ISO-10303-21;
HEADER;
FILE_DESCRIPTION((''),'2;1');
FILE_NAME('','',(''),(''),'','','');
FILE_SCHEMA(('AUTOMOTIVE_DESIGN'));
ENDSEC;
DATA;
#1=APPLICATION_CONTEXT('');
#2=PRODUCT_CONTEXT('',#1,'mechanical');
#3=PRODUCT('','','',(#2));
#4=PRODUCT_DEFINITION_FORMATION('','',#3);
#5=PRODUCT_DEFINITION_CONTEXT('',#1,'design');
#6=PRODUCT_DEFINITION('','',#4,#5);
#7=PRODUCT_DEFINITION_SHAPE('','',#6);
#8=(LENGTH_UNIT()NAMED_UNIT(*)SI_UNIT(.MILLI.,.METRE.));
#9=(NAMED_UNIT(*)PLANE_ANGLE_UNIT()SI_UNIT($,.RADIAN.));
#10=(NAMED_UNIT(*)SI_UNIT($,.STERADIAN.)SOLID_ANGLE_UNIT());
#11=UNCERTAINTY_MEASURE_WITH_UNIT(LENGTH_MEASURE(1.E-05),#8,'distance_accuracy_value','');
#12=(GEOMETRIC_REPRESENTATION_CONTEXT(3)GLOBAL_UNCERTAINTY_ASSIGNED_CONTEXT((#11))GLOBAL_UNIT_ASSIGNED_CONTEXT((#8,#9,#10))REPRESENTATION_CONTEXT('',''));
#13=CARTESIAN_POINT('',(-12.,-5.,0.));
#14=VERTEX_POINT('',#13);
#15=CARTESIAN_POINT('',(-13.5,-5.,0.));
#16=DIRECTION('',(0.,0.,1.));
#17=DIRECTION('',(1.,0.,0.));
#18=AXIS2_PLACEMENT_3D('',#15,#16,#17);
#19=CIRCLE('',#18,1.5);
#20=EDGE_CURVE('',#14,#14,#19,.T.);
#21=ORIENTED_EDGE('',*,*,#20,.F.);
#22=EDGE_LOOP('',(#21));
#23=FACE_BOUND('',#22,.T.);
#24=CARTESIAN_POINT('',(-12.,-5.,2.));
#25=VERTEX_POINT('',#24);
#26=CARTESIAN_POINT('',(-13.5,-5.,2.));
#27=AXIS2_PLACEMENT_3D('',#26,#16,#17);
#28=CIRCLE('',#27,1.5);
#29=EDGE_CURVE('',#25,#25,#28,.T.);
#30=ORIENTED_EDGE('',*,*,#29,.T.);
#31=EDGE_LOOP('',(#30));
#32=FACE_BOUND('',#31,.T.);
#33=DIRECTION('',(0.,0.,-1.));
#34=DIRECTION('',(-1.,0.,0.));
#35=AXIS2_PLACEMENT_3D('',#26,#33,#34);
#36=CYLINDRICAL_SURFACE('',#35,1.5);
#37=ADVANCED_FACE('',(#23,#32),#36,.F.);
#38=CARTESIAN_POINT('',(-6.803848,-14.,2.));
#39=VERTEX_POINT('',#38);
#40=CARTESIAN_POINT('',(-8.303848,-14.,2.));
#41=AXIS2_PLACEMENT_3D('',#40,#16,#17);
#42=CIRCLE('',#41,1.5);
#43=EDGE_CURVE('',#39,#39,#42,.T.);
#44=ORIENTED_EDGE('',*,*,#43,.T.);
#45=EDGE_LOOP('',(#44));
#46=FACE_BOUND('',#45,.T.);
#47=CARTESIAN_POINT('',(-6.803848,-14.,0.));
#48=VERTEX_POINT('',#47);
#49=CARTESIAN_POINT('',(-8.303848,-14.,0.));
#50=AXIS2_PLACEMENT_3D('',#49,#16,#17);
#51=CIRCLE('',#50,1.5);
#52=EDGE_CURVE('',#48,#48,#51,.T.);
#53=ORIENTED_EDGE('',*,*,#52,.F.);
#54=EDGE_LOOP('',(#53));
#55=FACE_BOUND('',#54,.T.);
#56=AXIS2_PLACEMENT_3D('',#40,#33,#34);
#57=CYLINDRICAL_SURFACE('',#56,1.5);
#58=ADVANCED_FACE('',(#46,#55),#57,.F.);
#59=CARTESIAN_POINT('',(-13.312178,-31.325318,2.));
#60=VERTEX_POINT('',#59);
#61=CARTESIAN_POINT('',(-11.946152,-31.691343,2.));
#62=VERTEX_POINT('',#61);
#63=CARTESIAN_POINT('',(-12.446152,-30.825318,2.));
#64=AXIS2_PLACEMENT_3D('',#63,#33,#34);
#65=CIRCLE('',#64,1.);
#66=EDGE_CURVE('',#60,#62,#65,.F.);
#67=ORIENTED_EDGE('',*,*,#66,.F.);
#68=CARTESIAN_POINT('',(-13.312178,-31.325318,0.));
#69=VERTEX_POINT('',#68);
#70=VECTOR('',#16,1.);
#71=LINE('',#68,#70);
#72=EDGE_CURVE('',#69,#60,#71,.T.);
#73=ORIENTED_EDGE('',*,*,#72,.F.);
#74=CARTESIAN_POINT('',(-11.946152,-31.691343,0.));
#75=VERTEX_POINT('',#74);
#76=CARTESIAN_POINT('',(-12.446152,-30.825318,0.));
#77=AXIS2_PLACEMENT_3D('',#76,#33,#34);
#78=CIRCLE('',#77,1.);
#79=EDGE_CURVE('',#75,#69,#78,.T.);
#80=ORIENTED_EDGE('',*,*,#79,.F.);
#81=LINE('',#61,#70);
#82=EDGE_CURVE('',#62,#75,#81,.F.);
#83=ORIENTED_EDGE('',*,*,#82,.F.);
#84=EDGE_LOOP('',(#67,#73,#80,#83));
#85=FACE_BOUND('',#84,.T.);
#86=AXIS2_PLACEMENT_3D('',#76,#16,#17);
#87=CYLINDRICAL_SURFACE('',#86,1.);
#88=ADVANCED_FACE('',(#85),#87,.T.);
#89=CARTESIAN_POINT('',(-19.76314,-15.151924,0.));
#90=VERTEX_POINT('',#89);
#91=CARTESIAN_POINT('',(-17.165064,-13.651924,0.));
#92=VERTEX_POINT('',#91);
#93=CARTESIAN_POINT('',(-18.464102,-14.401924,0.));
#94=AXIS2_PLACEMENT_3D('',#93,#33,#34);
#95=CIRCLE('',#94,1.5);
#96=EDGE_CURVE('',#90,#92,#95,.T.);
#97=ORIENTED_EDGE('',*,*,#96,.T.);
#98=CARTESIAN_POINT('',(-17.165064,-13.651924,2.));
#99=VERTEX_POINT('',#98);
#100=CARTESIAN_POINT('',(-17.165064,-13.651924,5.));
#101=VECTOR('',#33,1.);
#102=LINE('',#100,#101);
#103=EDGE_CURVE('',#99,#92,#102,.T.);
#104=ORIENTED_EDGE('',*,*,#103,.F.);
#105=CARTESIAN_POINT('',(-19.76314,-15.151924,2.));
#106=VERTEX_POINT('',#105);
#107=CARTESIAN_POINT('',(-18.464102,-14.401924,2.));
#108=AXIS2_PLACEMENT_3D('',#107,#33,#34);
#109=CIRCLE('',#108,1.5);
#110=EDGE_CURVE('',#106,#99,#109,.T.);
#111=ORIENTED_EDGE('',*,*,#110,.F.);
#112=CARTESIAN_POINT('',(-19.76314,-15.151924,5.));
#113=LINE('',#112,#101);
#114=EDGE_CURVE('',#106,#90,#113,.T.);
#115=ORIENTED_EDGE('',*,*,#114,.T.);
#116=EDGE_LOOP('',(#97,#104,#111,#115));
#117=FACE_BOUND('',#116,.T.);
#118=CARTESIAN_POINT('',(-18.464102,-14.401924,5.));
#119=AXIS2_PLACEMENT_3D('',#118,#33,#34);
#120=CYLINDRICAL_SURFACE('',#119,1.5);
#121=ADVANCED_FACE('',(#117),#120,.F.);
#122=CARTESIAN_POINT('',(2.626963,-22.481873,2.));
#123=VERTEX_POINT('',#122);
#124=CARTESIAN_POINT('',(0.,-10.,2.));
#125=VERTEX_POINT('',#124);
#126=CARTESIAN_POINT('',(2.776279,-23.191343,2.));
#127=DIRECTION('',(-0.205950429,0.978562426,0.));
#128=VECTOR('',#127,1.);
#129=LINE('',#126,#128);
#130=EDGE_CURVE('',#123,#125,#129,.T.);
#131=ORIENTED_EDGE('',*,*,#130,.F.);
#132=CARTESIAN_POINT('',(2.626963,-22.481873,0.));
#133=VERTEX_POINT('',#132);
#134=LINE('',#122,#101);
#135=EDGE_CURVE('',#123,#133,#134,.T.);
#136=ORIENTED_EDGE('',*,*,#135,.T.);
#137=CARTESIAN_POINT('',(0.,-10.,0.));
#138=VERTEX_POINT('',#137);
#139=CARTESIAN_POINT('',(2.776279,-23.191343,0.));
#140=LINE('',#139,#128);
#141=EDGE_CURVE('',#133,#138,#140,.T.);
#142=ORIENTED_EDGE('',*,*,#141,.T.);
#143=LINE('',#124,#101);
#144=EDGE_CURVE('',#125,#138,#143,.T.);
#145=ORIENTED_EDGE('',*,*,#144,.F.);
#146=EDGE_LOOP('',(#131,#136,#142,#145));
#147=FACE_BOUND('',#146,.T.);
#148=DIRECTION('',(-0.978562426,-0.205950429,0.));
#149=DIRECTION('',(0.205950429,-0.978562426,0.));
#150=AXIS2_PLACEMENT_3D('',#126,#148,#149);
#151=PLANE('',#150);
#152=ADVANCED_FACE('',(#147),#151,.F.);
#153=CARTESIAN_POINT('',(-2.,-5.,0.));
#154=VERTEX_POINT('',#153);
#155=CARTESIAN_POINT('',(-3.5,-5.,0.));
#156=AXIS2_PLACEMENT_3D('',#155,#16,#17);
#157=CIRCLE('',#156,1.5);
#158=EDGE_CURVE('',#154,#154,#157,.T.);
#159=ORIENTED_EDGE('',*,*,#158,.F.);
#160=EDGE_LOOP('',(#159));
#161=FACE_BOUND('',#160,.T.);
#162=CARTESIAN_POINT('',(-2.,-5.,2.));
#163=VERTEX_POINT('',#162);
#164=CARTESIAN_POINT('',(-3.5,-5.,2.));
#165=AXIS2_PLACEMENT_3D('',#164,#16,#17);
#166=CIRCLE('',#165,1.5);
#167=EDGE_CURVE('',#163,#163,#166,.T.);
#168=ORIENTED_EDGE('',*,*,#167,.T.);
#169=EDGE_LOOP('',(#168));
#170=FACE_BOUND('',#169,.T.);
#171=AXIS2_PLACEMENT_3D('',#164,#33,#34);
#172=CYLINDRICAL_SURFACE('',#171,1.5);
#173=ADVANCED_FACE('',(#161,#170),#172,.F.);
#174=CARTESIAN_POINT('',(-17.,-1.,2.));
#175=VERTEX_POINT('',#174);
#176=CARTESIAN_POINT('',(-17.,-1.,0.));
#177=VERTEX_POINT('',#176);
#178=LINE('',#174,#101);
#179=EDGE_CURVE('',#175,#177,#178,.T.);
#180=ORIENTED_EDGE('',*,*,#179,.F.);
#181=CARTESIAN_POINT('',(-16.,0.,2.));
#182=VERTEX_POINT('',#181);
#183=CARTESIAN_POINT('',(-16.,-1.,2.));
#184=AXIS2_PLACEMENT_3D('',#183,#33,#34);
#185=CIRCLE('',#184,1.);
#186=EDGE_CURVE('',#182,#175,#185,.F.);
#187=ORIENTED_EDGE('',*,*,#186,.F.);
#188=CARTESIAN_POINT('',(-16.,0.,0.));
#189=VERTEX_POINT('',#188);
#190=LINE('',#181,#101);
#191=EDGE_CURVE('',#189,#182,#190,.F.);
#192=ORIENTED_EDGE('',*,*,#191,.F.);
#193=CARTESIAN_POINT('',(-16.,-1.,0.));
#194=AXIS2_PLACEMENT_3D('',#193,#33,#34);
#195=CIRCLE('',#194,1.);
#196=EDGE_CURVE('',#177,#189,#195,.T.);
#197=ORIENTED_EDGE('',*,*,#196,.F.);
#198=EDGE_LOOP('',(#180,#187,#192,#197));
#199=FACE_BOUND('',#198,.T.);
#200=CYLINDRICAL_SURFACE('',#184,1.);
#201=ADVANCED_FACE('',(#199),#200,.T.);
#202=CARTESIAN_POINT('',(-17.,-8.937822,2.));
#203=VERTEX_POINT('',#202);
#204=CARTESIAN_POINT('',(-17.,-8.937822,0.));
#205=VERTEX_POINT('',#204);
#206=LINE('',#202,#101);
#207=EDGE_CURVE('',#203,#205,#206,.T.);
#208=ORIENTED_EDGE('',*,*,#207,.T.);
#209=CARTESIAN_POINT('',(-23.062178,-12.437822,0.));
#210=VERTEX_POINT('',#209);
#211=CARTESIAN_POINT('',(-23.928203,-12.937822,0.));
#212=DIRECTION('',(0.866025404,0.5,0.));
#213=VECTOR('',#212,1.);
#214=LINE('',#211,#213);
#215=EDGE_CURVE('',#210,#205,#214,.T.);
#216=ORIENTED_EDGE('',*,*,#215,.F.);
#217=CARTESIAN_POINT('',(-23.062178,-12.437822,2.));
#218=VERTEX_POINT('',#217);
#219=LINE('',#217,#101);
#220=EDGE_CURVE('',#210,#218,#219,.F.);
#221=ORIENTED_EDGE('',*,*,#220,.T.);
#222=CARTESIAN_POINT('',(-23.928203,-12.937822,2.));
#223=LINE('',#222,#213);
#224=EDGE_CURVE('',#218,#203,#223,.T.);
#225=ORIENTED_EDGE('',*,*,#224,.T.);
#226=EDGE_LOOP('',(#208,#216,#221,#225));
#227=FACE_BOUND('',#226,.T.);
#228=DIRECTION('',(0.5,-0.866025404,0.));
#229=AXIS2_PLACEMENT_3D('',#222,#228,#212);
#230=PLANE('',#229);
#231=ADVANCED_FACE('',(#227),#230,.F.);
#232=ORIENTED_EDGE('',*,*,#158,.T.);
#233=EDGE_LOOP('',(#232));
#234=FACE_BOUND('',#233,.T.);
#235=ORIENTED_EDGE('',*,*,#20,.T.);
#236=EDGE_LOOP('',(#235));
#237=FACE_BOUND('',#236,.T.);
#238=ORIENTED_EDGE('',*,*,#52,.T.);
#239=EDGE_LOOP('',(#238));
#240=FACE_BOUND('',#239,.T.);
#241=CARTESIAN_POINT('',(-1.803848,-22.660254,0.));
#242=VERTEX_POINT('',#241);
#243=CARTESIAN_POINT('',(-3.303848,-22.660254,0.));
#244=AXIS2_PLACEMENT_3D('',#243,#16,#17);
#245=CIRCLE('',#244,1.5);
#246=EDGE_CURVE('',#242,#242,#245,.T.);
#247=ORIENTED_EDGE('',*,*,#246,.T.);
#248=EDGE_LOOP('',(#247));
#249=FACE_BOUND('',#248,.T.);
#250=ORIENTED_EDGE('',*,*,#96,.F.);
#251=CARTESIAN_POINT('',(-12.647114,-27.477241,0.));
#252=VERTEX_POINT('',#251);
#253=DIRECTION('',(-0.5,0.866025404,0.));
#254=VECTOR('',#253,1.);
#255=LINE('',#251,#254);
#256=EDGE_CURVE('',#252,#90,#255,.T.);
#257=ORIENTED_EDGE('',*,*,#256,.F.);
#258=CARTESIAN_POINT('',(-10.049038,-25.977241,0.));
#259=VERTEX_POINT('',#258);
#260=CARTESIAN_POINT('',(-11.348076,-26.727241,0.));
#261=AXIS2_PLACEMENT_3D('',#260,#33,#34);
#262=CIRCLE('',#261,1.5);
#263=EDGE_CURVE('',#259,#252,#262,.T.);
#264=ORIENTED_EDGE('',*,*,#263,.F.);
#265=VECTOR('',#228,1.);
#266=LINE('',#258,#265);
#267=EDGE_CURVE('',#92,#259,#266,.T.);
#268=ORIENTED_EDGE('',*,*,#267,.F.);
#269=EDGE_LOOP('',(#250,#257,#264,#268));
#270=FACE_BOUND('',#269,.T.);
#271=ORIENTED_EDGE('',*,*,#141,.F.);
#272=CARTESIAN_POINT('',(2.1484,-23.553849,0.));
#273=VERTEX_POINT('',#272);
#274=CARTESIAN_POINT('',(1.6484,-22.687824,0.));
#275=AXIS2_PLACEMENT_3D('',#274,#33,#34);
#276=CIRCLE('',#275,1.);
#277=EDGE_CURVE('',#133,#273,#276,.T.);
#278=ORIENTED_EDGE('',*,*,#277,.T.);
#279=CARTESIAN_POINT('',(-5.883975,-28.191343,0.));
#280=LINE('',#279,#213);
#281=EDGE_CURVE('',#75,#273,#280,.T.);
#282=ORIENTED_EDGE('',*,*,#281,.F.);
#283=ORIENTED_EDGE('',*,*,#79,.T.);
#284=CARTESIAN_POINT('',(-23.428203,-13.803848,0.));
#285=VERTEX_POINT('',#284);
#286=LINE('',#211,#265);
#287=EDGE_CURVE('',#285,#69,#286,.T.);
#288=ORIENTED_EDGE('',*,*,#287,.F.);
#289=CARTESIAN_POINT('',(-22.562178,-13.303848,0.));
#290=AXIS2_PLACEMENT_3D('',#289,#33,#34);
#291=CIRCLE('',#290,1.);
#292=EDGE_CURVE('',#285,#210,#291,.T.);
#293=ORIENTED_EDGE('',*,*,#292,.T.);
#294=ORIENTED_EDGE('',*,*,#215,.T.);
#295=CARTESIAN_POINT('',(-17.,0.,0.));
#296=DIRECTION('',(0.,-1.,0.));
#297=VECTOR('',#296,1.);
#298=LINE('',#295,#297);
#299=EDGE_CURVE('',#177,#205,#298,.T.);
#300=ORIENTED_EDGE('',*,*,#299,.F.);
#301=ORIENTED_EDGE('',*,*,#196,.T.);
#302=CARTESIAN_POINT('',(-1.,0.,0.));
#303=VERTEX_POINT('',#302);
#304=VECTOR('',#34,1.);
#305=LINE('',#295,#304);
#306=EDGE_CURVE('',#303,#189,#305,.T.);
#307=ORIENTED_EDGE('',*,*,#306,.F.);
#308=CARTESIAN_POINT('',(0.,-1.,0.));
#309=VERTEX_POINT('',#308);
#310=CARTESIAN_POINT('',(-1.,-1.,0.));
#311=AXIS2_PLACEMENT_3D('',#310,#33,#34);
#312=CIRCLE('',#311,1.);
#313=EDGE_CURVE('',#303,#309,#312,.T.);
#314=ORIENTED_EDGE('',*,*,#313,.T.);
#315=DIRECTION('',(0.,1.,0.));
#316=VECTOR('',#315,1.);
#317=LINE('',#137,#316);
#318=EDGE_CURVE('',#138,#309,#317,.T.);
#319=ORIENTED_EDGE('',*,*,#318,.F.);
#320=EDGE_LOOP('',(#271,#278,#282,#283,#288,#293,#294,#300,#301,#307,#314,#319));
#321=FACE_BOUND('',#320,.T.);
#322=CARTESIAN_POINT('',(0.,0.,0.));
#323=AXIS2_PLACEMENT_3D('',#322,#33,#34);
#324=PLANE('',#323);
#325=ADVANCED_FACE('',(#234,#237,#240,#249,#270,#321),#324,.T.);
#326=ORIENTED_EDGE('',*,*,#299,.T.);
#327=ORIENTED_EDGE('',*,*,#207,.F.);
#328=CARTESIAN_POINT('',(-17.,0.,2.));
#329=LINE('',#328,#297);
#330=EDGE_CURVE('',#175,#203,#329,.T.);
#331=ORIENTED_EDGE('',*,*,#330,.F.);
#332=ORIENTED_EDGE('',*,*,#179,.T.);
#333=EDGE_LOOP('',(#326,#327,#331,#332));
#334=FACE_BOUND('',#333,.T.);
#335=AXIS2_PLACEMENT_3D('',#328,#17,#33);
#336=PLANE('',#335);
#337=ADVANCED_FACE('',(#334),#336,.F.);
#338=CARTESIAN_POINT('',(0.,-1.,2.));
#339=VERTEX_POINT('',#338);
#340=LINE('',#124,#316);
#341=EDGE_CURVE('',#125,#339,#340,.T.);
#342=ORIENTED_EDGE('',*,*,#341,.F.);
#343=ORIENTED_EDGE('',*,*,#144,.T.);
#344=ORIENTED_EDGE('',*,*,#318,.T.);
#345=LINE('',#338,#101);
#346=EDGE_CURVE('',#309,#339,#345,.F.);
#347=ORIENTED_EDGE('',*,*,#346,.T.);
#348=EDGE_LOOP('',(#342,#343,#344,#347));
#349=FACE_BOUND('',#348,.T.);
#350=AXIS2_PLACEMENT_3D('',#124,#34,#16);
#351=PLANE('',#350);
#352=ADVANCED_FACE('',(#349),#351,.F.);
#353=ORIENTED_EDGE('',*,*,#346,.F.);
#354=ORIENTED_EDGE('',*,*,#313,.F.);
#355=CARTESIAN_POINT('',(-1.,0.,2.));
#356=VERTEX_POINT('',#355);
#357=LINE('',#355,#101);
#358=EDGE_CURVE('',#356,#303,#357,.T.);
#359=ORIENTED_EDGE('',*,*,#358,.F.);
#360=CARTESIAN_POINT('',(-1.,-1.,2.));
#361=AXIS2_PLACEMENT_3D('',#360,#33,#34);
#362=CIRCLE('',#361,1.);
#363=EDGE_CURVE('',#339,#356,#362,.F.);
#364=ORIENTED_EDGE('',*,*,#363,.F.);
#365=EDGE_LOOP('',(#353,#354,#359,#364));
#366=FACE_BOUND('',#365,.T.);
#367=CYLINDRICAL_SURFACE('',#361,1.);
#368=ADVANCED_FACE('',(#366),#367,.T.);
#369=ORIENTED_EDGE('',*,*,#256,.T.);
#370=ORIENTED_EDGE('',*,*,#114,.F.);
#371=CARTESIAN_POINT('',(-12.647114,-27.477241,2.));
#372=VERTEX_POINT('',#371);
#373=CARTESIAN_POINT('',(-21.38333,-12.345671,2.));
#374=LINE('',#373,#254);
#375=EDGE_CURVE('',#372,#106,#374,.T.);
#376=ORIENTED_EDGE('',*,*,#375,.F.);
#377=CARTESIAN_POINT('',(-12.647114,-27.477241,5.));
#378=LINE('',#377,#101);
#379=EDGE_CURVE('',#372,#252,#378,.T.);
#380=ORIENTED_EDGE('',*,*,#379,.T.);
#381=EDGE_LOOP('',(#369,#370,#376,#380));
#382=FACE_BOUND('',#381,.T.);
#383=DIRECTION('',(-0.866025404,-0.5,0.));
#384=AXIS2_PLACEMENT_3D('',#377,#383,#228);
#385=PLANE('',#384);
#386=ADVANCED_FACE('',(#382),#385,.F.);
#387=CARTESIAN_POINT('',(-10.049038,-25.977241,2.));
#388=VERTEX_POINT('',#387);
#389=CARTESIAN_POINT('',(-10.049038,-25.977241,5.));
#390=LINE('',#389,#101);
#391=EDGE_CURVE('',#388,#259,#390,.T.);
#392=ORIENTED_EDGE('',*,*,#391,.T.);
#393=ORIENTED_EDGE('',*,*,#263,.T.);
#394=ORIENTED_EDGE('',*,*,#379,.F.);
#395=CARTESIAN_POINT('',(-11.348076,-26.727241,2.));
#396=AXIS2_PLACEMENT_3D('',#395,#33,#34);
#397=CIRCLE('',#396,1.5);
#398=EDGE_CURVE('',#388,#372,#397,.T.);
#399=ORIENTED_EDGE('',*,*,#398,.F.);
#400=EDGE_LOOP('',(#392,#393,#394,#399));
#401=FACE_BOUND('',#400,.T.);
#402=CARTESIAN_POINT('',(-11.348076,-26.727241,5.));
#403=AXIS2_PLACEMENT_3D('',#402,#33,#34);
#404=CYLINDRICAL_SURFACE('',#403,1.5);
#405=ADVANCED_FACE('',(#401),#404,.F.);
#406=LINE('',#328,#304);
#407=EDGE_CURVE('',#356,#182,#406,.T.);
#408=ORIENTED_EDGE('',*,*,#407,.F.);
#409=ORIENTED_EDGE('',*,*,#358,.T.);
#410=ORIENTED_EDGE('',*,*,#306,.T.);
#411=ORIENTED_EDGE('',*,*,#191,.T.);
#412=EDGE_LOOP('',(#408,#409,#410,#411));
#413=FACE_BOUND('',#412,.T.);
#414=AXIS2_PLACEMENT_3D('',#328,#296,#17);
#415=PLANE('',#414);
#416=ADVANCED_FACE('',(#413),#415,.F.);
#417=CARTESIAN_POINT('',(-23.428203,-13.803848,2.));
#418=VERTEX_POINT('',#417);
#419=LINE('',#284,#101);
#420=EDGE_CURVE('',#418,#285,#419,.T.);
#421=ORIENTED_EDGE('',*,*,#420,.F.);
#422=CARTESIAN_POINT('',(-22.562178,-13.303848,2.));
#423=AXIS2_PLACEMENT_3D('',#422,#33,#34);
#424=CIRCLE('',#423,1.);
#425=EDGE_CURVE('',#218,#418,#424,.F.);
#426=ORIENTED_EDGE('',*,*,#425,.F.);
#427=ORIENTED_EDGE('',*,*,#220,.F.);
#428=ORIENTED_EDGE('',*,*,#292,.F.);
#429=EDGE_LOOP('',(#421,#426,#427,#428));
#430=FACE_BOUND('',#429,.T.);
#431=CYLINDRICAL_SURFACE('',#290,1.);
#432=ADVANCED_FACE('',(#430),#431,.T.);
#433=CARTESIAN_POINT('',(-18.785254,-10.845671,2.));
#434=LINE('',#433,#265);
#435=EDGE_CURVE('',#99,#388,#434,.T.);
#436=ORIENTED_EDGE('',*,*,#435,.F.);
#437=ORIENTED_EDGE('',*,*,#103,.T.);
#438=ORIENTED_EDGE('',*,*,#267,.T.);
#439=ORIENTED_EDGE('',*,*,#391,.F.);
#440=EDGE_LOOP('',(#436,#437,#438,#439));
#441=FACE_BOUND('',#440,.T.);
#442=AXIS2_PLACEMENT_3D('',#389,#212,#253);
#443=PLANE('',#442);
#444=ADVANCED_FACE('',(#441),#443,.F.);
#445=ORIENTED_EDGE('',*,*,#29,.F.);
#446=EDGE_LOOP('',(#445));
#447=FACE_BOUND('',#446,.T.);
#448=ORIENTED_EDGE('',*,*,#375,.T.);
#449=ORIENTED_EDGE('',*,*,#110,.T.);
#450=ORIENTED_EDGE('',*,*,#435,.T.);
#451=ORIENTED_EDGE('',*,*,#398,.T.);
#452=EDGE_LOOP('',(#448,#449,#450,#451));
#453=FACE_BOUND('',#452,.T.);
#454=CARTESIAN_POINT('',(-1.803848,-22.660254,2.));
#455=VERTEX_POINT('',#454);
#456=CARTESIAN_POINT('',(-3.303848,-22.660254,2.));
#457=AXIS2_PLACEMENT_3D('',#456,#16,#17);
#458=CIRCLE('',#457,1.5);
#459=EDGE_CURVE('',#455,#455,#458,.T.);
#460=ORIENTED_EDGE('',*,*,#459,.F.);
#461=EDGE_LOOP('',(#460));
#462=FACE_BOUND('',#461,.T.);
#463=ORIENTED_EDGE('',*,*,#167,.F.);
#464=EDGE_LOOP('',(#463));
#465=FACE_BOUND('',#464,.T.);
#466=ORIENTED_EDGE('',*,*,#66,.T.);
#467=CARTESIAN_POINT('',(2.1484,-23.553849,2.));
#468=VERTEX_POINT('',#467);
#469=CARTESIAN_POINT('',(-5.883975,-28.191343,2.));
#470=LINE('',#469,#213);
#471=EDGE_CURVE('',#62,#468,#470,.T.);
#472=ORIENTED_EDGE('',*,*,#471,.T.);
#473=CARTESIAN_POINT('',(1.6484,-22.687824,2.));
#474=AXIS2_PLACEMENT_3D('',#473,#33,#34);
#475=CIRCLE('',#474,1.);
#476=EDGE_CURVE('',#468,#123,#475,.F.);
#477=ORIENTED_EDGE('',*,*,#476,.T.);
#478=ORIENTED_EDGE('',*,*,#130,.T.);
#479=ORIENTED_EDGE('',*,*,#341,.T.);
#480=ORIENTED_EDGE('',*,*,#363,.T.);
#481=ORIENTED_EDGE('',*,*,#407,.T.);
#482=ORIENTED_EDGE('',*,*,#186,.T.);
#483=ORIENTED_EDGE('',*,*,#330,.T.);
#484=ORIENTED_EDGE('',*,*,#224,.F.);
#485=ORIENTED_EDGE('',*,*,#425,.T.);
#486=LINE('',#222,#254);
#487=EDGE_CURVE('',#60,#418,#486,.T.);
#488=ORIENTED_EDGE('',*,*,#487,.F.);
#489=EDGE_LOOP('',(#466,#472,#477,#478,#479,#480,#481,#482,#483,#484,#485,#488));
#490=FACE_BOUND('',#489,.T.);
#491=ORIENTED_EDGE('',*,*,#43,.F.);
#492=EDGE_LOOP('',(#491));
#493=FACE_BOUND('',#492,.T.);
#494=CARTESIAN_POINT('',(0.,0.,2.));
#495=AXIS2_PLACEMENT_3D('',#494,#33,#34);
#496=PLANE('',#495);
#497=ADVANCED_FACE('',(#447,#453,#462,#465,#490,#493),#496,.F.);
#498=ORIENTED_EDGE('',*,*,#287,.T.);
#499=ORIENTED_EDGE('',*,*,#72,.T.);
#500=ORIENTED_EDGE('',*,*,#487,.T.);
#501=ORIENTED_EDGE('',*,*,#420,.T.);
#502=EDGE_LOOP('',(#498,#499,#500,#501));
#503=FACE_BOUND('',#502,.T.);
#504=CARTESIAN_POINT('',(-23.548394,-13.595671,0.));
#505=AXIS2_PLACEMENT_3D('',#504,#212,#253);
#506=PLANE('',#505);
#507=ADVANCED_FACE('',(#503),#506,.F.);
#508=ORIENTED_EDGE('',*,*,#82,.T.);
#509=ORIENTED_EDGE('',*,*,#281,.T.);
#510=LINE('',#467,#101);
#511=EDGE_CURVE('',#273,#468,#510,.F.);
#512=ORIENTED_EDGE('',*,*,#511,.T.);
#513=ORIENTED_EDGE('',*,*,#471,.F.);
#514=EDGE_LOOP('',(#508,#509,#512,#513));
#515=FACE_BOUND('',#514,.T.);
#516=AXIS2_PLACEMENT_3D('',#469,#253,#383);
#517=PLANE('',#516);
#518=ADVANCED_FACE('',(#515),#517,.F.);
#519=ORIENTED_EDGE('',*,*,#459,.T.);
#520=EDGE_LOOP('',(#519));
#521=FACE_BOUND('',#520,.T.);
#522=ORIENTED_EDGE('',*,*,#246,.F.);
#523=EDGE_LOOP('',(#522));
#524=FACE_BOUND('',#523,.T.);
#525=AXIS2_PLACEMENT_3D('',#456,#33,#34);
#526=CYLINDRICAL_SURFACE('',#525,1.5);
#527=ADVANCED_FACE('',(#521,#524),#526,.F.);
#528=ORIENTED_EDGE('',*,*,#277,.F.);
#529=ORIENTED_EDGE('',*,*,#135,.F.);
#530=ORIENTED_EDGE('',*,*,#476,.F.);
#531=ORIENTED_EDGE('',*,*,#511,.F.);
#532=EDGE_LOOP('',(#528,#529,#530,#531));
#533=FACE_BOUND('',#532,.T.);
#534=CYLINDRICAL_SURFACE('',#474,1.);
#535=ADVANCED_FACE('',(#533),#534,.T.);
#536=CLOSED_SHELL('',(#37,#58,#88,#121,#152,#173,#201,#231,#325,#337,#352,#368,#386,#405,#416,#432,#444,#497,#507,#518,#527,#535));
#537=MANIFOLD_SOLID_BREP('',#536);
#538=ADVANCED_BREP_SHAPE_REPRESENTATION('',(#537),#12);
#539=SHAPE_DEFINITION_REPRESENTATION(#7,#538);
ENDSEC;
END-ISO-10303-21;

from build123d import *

# Parameters (mm, degrees)
SKETCH_1_R          = 1.5
EXTRUDE_1_DEPTH     = 2
SKETCH_2_W          = 2
SKETCH_2_H          = 22.232050807
EXTRUDE_2_DEPTH     = 8
CUT_EXTRUDE_1_DEPTH = 5
FILLET_1_R          = 1


with BuildPart() as part:
    # 草图1 → 凸台-拉伸1 (new body)
    with BuildSketch(Plane.XY):
        Polygon((-17, 0), (0, 0), (0, -10), (2.776279442, -23.191342951), (-5.883974596, -28.191342951), (-17, -8.937822174), align=None)
        with Locations((-3.303847577, -22.660254038)):
            Circle(SKETCH_1_R, mode=Mode.SUBTRACT)
        with Locations((-13.5, -5)):
            Circle(SKETCH_1_R, mode=Mode.SUBTRACT)
        with Locations((-8.303847577, -14)):
            Circle(SKETCH_1_R, mode=Mode.SUBTRACT)
        with Locations((-3.5, -5)):
            Circle(SKETCH_1_R, mode=Mode.SUBTRACT)
    extrude(amount=EXTRUDE_1_DEPTH)

    # 草图2 → 凸台-拉伸2 (add)
    with BuildSketch(Plane(origin=(-16.620190528, -9.595671476, 0), x_dir=(0, 0, 1), z_dir=(-0.866025404, -0.5, 0))):
        with Locations((1, -10.356406461)):
            Rectangle(SKETCH_2_W, SKETCH_2_H)
    extrude(amount=EXTRUDE_2_DEPTH)

    # 草图3 → 切除-拉伸1 (cut)
    with BuildSketch(Plane(origin=(0, 0, 0), x_dir=(-1, 0, 0), z_dir=(0, 0, -1))):
        with BuildLine():
            Line((10.049038106, -25.977241336), (17.165063509, -13.651923789))
            ThreePointArc((17.165063509, -13.651923789), (19.214101615, -13.102885683), (19.763139721, -15.151923789))
            Line((19.763139721, -15.151923789), (12.647114317, -27.477241336))
            ThreePointArc((12.647114317, -27.477241336), (10.598076211, -28.026279442), (10.049038106, -25.977241336))
        make_face()
    extrude(amount=-CUT_EXTRUDE_1_DEPTH, mode=Mode.SUBTRACT)

    # 圆角1
    fillet_1_edges = [part.edges().sort_by_distance(p)[0] for p in [
        (2.776279442, -23.191342951, 1),
        (-17, 0, 1),
        (0, 0, 1),
        (-23.92820323, -12.937822174, 1),
        (-12.812177826, -32.191342951, 1),
    ]]
    fillet(fillet_1_edges, radius=FILLET_1_R)


solid = part.part
